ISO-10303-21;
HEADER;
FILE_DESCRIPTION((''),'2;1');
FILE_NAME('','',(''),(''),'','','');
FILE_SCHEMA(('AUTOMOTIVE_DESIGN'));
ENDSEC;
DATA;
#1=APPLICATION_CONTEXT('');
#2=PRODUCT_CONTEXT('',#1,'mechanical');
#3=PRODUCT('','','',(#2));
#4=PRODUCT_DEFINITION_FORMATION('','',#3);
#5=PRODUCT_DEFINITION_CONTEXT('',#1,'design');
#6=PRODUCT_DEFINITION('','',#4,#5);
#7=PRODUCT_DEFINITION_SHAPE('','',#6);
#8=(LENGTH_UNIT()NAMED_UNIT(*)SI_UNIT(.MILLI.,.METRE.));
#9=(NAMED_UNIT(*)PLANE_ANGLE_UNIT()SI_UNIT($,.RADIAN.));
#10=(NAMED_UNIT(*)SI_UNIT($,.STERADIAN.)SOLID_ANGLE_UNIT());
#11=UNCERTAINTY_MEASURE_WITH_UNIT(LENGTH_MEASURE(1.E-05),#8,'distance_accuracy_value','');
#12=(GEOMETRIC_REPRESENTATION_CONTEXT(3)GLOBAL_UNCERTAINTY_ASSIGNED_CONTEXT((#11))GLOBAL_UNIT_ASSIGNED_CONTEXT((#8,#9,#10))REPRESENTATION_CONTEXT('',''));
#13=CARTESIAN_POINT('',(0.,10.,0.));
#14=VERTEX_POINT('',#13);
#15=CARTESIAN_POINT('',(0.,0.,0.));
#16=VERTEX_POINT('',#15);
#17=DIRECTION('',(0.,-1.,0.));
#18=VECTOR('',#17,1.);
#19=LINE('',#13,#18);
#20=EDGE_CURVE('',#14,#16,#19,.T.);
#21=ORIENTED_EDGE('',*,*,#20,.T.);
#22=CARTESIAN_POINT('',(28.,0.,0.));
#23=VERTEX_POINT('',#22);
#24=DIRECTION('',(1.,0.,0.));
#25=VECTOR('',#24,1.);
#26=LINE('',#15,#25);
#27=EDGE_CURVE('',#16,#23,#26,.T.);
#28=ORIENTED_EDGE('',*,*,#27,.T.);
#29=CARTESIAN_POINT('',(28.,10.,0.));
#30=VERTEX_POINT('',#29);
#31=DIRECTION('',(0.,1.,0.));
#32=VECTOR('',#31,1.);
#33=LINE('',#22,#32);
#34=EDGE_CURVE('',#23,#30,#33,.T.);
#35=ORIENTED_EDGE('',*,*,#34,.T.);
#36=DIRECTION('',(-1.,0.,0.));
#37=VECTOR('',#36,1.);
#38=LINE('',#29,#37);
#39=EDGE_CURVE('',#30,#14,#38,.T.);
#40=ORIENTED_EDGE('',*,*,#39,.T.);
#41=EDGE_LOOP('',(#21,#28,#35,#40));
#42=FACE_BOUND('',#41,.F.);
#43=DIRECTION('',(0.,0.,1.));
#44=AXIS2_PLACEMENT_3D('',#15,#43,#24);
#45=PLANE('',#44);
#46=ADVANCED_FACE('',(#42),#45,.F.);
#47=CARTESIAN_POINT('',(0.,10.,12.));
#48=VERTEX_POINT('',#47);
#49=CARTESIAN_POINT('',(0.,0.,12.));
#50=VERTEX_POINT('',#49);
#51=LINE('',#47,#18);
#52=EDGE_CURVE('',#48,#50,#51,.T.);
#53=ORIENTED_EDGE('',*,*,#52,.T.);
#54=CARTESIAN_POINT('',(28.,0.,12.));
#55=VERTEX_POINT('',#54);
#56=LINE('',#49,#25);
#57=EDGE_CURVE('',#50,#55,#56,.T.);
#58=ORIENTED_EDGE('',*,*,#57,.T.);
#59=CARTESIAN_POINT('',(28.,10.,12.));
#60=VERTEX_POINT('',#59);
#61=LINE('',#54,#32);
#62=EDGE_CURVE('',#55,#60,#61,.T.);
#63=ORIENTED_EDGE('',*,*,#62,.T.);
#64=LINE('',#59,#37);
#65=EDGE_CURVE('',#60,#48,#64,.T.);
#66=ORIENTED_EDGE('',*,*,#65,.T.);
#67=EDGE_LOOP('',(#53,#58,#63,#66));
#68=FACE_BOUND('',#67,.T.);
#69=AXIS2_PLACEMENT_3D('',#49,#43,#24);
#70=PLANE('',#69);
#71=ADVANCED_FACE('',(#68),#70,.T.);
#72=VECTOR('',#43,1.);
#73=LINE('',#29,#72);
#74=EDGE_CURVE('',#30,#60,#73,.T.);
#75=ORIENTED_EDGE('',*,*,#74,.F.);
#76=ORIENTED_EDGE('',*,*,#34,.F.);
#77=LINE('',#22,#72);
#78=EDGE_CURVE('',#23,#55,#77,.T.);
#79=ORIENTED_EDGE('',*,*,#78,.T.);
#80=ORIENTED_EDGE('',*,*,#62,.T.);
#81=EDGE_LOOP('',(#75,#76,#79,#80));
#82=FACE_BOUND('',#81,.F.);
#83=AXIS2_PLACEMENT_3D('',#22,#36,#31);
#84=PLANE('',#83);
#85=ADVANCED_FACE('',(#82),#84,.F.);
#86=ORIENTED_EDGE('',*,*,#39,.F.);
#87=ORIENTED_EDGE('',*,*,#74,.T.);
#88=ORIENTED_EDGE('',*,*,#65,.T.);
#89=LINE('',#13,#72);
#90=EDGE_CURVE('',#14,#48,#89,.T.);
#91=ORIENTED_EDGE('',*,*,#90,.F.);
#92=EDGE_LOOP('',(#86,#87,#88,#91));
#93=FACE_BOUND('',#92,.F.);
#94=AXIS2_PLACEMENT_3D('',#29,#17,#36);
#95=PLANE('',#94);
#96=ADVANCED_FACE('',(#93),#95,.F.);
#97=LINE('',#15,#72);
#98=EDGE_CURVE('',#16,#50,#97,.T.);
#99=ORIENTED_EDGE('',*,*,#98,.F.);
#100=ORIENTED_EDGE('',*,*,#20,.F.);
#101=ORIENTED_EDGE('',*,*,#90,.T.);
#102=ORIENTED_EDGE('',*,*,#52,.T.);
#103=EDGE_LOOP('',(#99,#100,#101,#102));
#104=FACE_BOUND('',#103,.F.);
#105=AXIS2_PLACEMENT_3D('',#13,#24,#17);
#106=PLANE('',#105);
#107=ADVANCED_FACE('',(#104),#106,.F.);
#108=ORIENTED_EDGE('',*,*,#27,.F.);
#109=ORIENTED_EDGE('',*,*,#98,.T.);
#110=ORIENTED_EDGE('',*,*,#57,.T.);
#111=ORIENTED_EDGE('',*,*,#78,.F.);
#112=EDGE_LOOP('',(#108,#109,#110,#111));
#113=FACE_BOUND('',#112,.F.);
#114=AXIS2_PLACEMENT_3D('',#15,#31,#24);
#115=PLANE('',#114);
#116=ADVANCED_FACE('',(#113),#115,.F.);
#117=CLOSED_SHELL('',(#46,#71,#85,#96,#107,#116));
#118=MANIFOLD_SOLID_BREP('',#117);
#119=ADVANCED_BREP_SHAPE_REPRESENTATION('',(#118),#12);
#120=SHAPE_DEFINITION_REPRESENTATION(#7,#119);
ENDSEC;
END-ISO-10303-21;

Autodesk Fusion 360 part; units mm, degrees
sketch "Sorting Mechanism Top Panel Placeholder" plane through (0, 0, 0) normal (0, 0, 1) x (1, 0, 0)
  line L0 (0, 0) -> (28, 0)
  line L1 (28, 0) -> (28, 10)
  line L2 (28, 10) -> (0, 10)
  line L3 (0, 10) -> (0, 0)
  dimension "d1" = 10
  dimension "d2" = 28
extrude "Extrude1" add sketch "Sorting Mechanism Top Panel Placeholder" along normal blind 12
